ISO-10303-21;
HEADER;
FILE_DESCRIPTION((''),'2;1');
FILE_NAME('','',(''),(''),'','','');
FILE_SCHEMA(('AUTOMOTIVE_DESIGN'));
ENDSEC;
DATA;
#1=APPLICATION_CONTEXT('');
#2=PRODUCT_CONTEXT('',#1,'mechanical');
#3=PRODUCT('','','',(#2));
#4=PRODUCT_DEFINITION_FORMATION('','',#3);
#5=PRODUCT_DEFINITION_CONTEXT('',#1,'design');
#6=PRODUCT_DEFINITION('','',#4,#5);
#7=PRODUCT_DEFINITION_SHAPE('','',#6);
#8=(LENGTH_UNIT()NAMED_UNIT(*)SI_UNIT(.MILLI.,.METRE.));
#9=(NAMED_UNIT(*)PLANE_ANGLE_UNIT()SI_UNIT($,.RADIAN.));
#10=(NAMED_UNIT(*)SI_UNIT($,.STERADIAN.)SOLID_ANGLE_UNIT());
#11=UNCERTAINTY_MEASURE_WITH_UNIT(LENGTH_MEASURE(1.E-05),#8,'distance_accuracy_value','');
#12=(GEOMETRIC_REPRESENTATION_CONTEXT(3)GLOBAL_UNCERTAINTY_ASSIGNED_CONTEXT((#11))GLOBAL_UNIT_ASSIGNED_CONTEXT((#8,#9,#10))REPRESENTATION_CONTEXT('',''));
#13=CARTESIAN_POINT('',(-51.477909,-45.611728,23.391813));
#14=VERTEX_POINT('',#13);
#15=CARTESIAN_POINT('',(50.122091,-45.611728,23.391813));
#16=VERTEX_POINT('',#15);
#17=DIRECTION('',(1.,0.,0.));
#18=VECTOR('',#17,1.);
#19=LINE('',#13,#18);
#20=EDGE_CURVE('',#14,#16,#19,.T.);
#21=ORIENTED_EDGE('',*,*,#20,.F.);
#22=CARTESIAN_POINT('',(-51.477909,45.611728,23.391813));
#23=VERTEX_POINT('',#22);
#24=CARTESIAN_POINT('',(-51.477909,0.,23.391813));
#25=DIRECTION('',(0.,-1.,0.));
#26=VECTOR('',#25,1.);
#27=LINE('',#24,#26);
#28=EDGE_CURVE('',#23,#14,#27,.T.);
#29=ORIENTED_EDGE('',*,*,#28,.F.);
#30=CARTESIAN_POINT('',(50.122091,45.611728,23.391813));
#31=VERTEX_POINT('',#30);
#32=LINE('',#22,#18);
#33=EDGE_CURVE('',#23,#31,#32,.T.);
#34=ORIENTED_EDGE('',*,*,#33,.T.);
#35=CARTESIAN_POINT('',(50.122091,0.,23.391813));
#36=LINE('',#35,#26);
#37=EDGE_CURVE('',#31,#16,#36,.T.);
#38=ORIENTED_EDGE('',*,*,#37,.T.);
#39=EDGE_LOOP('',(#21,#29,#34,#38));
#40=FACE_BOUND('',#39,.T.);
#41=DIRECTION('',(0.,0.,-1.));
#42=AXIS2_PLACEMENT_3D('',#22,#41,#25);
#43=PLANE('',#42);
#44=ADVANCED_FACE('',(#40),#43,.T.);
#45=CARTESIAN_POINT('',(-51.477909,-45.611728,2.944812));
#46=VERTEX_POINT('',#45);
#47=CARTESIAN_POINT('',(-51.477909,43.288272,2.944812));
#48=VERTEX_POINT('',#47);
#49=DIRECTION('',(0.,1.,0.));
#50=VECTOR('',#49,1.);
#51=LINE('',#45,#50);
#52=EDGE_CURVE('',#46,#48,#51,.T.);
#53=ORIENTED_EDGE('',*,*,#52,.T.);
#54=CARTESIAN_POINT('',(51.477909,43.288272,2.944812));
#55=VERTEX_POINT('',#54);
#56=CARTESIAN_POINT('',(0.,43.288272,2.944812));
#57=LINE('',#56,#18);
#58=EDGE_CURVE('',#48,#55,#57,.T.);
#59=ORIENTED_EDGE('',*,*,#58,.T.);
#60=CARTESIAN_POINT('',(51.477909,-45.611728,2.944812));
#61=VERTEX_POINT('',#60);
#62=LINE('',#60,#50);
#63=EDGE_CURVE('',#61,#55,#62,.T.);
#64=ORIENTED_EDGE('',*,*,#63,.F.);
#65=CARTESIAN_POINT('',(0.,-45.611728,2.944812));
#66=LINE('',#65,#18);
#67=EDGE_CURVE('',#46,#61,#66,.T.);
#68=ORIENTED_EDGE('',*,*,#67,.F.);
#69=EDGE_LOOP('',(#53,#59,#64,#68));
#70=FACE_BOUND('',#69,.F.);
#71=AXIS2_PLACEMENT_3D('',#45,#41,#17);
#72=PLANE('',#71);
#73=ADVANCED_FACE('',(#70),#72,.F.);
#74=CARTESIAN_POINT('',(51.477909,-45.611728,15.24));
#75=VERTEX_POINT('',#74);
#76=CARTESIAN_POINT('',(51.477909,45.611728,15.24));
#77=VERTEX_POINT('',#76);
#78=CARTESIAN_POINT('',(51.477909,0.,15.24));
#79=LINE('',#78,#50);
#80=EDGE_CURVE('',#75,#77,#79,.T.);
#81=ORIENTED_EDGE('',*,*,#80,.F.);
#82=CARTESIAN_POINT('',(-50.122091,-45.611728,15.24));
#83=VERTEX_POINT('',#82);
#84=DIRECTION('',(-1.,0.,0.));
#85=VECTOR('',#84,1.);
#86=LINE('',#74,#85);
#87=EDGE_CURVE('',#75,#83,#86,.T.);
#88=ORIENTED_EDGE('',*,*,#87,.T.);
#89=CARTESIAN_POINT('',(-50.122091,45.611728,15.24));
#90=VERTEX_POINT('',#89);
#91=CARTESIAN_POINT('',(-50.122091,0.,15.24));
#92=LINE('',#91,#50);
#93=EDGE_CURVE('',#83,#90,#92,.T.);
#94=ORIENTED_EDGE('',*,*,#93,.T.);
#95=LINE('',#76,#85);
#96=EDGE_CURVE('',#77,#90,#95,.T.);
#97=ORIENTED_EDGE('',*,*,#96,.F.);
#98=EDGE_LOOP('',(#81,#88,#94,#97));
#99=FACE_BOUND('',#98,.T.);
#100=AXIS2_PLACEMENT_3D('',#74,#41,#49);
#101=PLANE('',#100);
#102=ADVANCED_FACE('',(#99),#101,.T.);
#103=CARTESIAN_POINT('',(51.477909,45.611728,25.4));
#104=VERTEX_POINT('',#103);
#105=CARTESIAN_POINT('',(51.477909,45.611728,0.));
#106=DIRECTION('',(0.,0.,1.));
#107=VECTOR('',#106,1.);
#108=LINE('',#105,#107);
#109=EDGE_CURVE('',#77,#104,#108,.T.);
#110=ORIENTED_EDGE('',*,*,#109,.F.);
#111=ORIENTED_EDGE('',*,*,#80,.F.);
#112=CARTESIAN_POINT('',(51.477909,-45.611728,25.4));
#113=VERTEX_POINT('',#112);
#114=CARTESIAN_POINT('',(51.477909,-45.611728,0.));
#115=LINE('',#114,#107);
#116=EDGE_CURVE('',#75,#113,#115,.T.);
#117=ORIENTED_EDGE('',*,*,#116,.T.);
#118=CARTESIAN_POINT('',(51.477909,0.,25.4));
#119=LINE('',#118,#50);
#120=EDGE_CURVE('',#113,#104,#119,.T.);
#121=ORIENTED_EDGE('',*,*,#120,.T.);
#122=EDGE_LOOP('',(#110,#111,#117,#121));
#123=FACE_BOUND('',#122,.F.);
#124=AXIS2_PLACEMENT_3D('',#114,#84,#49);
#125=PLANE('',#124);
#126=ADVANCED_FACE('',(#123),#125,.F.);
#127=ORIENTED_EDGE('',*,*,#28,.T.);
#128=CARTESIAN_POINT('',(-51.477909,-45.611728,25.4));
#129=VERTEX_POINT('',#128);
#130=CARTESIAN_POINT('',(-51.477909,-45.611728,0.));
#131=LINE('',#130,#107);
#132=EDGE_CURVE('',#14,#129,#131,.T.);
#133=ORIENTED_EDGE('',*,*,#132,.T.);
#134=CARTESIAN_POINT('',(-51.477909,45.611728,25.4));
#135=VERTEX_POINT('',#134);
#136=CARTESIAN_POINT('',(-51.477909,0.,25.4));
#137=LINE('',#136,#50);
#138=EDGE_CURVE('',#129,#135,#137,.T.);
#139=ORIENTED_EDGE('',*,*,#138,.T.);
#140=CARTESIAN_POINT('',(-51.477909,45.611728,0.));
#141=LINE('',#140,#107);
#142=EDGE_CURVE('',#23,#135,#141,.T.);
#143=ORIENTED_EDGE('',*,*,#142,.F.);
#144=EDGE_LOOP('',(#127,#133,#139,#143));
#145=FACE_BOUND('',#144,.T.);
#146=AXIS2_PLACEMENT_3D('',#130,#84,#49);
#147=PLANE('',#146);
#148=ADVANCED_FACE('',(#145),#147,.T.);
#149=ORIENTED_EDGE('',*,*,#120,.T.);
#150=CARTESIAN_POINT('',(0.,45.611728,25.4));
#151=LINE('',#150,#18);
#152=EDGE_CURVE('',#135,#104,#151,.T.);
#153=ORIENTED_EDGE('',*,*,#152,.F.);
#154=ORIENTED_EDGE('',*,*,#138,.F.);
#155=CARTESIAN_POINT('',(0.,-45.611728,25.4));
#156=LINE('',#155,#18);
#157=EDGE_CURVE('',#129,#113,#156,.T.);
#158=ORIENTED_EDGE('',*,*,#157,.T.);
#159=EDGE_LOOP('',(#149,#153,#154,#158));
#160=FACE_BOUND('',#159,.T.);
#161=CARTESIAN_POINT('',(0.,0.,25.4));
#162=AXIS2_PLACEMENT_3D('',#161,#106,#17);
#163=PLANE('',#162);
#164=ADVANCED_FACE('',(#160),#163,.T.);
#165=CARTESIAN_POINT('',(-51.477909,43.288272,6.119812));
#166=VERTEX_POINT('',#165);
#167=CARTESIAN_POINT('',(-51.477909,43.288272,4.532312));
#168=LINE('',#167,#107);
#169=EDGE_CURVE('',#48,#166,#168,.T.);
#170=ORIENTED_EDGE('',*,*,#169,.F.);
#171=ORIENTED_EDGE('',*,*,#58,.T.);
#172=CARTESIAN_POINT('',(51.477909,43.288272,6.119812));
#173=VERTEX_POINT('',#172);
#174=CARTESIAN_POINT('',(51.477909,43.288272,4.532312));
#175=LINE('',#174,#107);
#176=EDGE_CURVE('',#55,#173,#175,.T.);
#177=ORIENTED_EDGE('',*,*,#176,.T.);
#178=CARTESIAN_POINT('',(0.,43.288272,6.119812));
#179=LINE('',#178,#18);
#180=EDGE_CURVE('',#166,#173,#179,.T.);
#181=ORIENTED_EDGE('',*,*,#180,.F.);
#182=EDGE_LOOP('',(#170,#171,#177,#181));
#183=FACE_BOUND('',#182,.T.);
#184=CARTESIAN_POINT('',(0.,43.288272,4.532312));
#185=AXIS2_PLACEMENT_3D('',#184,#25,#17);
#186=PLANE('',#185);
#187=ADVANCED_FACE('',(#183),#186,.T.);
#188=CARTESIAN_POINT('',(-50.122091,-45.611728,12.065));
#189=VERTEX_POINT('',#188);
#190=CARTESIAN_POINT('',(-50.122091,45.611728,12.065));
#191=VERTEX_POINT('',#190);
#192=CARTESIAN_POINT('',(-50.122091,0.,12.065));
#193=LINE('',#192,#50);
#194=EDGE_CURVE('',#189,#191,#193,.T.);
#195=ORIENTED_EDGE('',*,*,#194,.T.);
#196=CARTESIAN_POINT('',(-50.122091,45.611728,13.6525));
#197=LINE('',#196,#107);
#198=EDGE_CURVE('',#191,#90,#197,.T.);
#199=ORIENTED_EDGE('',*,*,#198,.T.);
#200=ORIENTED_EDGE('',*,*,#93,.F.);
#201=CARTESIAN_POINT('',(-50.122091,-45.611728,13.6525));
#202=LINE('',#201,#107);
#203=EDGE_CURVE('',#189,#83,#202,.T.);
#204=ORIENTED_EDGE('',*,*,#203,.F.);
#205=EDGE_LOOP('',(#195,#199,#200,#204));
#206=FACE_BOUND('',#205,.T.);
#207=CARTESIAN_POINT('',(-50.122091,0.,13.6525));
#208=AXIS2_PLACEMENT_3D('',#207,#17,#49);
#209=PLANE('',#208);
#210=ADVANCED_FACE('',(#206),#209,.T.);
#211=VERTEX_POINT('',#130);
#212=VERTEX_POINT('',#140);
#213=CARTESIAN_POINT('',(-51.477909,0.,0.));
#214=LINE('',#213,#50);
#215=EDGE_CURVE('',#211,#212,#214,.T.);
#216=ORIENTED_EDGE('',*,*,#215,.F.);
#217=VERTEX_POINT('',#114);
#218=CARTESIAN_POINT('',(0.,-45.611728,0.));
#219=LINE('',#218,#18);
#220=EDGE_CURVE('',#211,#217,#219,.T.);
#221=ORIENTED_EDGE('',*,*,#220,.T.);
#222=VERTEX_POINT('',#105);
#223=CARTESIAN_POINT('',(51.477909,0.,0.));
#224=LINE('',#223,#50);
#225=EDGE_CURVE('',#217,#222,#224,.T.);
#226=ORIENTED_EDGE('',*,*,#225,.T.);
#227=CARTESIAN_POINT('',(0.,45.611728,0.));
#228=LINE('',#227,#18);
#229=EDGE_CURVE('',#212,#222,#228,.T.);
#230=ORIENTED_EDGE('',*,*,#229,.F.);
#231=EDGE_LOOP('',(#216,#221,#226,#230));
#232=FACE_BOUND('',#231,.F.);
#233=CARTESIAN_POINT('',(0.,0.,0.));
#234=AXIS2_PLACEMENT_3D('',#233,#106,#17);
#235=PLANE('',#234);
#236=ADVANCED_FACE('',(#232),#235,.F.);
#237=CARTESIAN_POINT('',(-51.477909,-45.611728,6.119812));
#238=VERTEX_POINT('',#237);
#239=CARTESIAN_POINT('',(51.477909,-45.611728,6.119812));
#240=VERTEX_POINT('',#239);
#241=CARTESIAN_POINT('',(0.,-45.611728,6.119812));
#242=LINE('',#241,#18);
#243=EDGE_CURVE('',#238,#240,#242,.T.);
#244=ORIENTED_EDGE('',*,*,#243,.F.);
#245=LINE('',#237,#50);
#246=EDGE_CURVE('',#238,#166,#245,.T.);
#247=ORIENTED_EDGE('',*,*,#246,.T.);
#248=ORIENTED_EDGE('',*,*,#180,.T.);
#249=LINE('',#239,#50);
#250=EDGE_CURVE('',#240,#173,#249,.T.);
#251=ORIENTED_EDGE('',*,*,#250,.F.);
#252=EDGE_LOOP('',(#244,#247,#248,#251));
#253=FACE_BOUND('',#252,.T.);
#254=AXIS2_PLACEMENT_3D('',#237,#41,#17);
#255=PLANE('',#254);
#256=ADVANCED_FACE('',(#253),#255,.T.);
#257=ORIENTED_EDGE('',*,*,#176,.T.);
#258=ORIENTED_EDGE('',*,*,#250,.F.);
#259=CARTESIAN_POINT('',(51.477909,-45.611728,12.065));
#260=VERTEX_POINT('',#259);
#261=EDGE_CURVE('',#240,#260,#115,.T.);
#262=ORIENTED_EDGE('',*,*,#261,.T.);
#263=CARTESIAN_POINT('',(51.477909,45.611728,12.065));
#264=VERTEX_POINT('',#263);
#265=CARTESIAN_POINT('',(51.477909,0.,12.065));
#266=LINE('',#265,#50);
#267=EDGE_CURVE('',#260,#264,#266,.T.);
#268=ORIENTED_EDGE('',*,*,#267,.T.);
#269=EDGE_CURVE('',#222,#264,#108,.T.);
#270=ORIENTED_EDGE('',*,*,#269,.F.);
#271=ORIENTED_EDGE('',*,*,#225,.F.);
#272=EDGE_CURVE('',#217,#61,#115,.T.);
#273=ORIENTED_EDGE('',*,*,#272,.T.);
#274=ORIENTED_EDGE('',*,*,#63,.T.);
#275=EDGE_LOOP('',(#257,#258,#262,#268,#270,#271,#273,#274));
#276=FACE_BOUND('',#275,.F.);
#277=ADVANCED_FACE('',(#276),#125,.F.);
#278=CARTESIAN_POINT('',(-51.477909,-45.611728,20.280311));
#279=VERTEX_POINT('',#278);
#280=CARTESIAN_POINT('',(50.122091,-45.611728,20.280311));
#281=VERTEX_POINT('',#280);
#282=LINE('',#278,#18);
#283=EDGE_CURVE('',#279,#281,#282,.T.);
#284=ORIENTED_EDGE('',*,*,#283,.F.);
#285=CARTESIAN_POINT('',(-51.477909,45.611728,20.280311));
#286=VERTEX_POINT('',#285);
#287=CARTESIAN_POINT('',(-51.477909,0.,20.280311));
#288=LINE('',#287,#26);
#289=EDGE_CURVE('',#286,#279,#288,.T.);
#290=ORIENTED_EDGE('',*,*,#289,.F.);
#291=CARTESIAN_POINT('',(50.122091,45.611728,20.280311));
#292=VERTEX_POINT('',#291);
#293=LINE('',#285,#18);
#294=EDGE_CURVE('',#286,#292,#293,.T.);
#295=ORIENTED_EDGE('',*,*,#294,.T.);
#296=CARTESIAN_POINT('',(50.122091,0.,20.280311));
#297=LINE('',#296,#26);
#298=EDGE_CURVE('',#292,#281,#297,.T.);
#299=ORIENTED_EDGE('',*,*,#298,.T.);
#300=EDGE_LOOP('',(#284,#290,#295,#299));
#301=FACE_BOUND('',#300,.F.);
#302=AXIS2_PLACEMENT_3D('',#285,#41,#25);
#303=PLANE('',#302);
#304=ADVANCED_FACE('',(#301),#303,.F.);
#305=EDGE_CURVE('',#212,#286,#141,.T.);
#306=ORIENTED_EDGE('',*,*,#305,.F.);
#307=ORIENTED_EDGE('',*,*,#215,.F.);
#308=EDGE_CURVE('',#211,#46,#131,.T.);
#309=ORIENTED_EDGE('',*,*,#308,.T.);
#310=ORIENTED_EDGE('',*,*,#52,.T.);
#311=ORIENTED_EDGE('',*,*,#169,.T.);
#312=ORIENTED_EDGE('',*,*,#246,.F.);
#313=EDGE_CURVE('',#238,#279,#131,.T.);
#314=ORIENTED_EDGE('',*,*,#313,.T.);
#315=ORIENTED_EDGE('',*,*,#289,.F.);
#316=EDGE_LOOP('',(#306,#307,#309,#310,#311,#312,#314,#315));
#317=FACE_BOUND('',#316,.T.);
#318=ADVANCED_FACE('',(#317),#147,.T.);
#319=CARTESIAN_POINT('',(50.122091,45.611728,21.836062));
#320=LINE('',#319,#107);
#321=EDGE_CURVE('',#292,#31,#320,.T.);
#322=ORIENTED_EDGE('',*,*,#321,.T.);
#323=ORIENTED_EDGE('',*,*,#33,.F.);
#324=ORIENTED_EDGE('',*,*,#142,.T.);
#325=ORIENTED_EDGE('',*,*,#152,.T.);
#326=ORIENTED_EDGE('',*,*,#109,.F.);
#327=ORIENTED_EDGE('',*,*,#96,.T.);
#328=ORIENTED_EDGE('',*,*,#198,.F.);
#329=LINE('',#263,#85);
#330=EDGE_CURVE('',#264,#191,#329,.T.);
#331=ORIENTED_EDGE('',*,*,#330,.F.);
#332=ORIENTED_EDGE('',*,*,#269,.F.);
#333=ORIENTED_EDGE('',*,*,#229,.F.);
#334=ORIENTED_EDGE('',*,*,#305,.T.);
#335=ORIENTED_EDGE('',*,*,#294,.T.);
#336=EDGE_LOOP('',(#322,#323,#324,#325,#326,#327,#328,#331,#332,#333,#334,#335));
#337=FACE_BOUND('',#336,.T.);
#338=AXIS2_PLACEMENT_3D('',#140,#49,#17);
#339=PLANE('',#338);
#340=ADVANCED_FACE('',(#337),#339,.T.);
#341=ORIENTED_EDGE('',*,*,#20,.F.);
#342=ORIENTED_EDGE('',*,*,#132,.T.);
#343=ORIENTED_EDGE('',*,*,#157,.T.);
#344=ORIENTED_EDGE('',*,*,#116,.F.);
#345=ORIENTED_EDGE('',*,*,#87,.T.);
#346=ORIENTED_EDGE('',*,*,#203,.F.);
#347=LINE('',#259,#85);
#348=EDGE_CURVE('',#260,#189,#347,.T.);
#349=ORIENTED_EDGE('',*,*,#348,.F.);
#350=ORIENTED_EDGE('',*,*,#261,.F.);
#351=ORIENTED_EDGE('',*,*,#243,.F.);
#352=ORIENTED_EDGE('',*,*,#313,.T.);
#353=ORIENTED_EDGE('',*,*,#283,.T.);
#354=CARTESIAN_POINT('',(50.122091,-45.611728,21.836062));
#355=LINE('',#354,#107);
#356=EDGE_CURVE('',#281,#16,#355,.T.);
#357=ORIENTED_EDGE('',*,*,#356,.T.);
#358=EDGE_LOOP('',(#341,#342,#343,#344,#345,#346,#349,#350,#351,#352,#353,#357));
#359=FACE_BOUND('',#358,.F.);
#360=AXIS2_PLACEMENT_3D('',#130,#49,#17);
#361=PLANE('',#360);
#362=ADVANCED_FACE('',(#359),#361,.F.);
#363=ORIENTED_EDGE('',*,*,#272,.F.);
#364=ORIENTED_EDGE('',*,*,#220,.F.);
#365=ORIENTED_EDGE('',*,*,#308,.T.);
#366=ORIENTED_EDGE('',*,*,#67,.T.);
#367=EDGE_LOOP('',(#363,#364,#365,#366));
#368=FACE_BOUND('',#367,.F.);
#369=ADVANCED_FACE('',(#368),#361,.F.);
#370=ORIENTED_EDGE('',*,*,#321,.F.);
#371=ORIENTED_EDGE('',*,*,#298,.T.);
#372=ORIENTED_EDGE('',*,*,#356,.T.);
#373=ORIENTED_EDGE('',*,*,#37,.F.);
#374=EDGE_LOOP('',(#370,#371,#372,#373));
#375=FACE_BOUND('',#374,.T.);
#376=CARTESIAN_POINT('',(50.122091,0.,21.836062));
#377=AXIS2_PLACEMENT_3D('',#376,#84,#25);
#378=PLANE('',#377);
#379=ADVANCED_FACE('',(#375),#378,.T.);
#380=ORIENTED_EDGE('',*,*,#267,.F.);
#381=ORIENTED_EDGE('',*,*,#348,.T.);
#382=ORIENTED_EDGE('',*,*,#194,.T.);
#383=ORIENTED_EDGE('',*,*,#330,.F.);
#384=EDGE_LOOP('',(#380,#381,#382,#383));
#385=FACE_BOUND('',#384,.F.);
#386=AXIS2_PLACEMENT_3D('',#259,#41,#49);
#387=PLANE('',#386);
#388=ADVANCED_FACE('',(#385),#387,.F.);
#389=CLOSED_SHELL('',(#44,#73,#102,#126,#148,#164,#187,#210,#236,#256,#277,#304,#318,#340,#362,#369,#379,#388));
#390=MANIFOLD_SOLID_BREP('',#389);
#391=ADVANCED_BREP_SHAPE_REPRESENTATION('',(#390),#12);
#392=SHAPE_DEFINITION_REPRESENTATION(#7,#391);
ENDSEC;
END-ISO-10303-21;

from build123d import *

# Parameters (mm, degrees)
F0_W     = 102.955818
F0_H     = 91.223456
F1_DEPTH = 25.4
F2_W     = 91.223456
F2_H     = 3.111502
F3_DEPTH = 101.6
F4_W     = 91.223456
F4_H     = 3.175
F5_DEPTH = 101.6
F6_W     = 102.955818
F6_H     = 3.175
F7_DEPTH = 88.9


with BuildPart() as f1:
    # F0 (on Top) → F1 (new body)
    with BuildSketch(Plane.XY):
        Rectangle(F0_W, F0_H)
    extrude(amount=F1_DEPTH)

    # F2 (on face) → F3 (cut)
    with BuildSketch(Plane(origin=(-51.477909, 0, 0), x_dir=(0, -1, 0), z_dir=(-1, 0, 0))):
        with Locations((0, 21.836062)):
            Rectangle(F2_W, F2_H)
    extrude(amount=-F3_DEPTH, mode=Mode.SUBTRACT)

    # F4 (on face) → F5 (cut)
    with BuildSketch(Plane.YZ.offset(51.477909)):
        with Locations((0, 13.6525)):
            Rectangle(F4_W, F4_H)
    extrude(amount=-F5_DEPTH, mode=Mode.SUBTRACT)

    # F6 (on face) → F7 (cut)
    with BuildSketch(Plane.XZ.offset(45.611728)):
        with Locations((0, 4.532312)):
            Rectangle(F6_W, F6_H)
    extrude(amount=-F7_DEPTH, mode=Mode.SUBTRACT)


solid = f1.part
